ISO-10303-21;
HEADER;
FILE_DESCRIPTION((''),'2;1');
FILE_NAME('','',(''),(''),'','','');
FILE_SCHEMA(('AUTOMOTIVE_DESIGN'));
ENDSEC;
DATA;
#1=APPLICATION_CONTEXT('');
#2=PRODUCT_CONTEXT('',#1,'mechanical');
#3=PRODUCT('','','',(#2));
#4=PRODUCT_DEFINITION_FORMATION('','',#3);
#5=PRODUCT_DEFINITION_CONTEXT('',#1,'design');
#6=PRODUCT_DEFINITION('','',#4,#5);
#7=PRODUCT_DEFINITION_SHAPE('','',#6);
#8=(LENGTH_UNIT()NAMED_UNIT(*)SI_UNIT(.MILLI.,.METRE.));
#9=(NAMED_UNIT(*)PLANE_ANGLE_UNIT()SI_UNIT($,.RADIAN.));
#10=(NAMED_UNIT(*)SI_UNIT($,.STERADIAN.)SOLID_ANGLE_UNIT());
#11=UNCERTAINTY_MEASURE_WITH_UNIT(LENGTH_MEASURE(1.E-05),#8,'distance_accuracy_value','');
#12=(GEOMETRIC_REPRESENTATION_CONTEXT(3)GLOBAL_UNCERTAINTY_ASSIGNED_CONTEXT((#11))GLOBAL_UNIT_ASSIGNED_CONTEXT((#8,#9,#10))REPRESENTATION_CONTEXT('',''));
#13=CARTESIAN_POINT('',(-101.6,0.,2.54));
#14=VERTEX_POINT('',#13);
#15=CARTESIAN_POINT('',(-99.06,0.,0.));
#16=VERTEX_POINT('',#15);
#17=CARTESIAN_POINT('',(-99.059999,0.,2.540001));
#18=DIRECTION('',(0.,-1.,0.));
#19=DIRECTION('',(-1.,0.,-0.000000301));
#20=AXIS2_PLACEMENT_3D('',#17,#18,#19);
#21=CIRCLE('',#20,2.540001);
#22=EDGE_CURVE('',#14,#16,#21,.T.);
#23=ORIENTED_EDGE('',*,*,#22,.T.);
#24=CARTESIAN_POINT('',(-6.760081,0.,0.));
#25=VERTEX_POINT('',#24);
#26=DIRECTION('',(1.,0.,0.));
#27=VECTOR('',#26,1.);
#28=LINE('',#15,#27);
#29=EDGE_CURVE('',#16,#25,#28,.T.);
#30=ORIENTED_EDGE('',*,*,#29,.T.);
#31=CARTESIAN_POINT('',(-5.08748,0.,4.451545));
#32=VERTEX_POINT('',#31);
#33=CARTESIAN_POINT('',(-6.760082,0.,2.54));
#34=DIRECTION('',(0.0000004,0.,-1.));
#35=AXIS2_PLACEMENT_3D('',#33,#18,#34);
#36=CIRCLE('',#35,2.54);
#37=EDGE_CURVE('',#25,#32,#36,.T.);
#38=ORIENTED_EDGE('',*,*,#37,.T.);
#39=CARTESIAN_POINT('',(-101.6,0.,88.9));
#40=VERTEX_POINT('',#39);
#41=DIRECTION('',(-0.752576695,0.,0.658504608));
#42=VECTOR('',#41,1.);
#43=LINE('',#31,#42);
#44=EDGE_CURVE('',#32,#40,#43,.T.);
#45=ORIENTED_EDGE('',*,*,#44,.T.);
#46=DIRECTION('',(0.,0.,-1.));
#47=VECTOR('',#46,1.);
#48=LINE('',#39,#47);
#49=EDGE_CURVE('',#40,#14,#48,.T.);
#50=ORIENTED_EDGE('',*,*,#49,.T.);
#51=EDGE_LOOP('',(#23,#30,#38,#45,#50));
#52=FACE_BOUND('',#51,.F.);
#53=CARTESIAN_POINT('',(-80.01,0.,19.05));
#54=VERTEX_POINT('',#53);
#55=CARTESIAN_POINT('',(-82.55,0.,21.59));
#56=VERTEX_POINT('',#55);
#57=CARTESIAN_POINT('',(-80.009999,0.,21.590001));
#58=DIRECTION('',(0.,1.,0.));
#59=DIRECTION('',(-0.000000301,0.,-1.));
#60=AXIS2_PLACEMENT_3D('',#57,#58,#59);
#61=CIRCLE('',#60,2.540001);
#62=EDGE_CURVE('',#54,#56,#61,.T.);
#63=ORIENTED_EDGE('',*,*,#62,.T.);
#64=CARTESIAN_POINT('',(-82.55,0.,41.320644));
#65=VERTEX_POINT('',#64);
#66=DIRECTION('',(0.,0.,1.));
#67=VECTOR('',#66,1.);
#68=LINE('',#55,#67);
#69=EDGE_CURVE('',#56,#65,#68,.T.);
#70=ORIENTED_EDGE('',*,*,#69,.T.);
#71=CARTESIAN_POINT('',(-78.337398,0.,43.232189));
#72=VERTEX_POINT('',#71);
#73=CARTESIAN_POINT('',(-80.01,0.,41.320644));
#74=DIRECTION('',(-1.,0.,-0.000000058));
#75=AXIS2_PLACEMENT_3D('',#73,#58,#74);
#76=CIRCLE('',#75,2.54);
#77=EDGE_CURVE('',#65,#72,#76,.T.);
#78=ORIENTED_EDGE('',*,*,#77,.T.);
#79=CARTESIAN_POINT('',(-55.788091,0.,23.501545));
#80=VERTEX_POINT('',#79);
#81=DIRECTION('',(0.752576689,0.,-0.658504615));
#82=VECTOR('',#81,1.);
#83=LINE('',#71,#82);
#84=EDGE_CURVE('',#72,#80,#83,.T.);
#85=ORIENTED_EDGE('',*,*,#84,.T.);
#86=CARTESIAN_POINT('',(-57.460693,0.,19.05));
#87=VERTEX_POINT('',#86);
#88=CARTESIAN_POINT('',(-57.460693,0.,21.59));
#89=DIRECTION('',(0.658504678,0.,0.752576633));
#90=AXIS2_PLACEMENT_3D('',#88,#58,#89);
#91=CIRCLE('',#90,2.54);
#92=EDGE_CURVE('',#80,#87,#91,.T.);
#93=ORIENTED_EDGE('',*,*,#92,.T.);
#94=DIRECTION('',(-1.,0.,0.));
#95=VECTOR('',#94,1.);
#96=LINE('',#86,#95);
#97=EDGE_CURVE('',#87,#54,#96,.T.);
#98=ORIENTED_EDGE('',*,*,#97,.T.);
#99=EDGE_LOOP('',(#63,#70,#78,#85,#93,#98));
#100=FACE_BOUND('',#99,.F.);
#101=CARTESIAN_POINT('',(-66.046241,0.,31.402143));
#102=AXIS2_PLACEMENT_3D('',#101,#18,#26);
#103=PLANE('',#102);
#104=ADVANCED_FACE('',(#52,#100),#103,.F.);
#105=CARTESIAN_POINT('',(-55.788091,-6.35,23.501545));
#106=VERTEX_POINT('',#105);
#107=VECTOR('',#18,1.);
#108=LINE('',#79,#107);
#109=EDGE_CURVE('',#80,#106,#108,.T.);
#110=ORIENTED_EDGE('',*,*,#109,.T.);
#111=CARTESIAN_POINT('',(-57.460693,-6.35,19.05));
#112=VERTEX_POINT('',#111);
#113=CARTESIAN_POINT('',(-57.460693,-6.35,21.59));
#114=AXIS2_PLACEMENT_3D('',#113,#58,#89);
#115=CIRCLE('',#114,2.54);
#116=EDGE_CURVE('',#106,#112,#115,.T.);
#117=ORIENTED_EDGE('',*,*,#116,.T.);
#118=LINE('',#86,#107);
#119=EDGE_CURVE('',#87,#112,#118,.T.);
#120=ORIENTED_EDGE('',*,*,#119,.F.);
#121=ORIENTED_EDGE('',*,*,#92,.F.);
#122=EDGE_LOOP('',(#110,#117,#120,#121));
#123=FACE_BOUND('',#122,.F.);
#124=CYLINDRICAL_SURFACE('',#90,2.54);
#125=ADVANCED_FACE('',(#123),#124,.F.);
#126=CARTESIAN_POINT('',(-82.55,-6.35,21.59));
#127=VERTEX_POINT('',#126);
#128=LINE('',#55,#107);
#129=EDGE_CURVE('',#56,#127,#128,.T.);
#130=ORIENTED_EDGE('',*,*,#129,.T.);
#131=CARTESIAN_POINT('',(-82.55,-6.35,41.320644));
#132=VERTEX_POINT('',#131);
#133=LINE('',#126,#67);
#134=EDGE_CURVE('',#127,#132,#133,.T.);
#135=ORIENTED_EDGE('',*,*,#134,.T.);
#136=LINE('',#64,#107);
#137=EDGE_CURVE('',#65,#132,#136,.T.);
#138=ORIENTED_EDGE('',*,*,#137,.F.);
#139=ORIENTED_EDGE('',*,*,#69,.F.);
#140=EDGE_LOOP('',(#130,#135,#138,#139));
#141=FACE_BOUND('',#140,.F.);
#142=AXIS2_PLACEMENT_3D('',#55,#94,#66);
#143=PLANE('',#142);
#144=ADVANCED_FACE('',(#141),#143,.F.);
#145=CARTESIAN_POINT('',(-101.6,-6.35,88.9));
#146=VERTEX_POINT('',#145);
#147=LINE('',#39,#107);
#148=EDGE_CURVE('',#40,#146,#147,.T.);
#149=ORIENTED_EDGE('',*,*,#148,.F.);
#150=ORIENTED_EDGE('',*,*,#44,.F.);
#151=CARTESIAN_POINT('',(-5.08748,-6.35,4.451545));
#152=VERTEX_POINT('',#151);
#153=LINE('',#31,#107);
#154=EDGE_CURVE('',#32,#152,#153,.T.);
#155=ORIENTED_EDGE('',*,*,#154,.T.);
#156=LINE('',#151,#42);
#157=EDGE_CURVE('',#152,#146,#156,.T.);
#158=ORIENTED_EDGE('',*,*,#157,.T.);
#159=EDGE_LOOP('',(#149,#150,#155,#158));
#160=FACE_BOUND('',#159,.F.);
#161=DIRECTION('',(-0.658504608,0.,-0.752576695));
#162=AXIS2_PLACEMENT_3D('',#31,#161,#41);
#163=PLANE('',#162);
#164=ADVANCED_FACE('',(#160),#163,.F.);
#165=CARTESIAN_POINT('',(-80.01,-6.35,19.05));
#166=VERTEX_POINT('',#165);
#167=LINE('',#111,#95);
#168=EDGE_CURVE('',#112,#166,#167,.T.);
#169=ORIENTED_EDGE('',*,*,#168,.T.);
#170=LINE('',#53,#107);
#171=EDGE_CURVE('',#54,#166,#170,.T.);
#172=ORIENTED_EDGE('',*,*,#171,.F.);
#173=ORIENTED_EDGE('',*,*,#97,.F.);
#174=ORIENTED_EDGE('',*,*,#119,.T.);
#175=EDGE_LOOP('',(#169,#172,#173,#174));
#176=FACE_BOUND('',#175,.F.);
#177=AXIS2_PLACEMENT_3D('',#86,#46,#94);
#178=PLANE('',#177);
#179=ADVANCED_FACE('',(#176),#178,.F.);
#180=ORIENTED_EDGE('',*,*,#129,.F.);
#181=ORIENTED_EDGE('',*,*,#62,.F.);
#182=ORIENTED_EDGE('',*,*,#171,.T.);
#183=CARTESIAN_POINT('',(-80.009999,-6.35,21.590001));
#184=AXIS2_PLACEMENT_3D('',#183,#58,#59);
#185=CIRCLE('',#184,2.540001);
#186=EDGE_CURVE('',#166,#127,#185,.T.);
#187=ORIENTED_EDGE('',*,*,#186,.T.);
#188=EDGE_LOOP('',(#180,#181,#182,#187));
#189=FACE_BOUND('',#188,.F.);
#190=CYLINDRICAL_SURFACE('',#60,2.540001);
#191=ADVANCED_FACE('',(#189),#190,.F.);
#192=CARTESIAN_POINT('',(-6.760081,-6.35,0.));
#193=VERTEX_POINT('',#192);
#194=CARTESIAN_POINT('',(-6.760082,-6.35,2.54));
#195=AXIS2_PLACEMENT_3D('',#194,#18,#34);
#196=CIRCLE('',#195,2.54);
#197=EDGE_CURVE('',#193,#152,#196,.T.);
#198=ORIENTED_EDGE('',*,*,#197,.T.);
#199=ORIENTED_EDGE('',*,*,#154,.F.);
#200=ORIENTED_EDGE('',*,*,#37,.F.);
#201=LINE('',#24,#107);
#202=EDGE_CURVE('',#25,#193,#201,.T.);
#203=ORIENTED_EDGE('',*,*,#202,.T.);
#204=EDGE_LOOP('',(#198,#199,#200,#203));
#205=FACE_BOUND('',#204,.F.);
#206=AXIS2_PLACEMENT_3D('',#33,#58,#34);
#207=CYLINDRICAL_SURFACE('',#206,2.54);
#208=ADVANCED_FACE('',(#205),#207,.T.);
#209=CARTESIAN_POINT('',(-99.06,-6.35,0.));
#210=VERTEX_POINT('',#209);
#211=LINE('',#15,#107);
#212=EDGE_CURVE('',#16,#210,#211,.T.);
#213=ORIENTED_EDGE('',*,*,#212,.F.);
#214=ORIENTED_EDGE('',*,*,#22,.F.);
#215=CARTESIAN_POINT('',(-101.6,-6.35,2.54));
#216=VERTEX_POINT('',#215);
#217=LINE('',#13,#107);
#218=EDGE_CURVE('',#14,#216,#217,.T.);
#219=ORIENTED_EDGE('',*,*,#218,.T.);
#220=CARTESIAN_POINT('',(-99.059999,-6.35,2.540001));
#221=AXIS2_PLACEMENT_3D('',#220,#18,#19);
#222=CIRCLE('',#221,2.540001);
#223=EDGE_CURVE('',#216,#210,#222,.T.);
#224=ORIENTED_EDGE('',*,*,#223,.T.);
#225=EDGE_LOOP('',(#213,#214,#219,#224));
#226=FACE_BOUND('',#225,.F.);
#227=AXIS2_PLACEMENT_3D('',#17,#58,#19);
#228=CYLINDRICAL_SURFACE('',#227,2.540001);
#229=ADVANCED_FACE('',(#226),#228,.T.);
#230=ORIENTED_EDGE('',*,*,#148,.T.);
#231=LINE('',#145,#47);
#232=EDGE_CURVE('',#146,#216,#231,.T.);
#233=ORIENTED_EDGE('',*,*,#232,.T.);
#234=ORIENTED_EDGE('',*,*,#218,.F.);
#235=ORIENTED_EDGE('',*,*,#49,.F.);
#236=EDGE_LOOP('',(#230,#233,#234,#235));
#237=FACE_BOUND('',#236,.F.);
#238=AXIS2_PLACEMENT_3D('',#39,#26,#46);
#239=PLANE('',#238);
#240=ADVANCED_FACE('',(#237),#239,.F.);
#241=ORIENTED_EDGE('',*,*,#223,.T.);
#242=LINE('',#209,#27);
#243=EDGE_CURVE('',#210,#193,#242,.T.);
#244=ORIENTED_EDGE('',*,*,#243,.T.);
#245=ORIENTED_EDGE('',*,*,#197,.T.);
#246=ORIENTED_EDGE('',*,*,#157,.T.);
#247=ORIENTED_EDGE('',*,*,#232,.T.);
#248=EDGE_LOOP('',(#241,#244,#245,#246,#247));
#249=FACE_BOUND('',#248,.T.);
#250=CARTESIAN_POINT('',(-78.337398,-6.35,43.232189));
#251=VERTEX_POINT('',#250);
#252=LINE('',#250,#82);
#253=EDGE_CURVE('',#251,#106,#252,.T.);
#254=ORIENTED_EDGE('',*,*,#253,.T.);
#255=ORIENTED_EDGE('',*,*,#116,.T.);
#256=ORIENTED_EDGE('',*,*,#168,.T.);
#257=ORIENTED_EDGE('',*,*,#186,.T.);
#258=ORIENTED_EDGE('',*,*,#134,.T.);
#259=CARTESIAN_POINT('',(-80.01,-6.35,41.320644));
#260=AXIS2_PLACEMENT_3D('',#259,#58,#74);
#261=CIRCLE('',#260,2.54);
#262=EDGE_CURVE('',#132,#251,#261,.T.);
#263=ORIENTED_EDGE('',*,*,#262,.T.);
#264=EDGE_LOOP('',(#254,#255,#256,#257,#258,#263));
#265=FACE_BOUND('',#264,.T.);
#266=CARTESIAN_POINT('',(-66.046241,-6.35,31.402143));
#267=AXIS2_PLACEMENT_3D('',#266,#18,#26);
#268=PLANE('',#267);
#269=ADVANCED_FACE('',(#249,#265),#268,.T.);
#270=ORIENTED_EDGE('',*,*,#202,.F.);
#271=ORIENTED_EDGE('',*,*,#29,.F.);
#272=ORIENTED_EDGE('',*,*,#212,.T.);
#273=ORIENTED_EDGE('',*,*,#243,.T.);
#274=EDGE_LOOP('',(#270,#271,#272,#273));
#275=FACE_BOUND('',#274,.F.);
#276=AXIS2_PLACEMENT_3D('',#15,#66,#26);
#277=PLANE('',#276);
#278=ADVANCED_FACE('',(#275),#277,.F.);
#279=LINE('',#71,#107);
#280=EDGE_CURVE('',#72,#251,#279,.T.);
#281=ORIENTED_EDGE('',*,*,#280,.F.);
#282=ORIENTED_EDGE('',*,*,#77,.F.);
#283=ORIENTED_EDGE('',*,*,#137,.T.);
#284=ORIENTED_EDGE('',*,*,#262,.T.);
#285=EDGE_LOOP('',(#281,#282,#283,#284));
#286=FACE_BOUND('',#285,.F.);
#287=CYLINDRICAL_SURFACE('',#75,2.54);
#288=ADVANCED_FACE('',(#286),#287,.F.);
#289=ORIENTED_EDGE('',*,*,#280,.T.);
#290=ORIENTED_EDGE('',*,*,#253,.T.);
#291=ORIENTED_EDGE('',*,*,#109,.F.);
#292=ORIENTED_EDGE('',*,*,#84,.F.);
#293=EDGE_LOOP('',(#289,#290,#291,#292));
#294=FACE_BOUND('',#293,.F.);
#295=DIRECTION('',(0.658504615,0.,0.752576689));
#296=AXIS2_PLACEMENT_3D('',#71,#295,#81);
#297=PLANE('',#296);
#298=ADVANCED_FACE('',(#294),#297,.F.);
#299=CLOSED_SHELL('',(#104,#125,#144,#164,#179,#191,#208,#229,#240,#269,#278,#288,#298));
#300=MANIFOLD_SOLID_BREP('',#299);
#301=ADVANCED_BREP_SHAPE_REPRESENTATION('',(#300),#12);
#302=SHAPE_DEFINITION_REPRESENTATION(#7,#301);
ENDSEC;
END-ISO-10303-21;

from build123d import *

# Parameters (mm, degrees)
F1_DEPTH = 6.35


with BuildPart() as f1:
    # F0 (on Front) → F1 (new body)
    with BuildSketch(Plane.XZ):
        with BuildLine():
            Line((-99.06, 0), (-6.760081, 0))
            ThreePointArc((-6.760081, 0), (-4.382381, 1.646614), (-5.08748, 4.451545))
            Line((-5.08748, 4.451545), (-101.6, 88.9))
            Line((-101.6, 88.9), (-101.6, 2.54))
            ThreePointArc((-101.6, 2.54), (-100.856051, 0.743949), (-99.06, 0))
        make_face()
        with BuildLine():
            ThreePointArc((-82.55, 41.320644), (-81.059569, 43.633652), (-78.337398, 43.232189))
            Line((-78.337398, 43.232189), (-55.788091, 23.501545))
            ThreePointArc((-55.788091, 23.501545), (-55.082992, 20.696614), (-57.460693, 19.05))
            Line((-57.460693, 19.05), (-80.01, 19.05))
            ThreePointArc((-80.01, 19.05), (-81.806051, 19.793949), (-82.55, 21.59))
            Line((-82.55, 21.59), (-82.55, 41.320644))
        make_face(mode=Mode.SUBTRACT)
    extrude(amount=F1_DEPTH)


solid = f1.part
